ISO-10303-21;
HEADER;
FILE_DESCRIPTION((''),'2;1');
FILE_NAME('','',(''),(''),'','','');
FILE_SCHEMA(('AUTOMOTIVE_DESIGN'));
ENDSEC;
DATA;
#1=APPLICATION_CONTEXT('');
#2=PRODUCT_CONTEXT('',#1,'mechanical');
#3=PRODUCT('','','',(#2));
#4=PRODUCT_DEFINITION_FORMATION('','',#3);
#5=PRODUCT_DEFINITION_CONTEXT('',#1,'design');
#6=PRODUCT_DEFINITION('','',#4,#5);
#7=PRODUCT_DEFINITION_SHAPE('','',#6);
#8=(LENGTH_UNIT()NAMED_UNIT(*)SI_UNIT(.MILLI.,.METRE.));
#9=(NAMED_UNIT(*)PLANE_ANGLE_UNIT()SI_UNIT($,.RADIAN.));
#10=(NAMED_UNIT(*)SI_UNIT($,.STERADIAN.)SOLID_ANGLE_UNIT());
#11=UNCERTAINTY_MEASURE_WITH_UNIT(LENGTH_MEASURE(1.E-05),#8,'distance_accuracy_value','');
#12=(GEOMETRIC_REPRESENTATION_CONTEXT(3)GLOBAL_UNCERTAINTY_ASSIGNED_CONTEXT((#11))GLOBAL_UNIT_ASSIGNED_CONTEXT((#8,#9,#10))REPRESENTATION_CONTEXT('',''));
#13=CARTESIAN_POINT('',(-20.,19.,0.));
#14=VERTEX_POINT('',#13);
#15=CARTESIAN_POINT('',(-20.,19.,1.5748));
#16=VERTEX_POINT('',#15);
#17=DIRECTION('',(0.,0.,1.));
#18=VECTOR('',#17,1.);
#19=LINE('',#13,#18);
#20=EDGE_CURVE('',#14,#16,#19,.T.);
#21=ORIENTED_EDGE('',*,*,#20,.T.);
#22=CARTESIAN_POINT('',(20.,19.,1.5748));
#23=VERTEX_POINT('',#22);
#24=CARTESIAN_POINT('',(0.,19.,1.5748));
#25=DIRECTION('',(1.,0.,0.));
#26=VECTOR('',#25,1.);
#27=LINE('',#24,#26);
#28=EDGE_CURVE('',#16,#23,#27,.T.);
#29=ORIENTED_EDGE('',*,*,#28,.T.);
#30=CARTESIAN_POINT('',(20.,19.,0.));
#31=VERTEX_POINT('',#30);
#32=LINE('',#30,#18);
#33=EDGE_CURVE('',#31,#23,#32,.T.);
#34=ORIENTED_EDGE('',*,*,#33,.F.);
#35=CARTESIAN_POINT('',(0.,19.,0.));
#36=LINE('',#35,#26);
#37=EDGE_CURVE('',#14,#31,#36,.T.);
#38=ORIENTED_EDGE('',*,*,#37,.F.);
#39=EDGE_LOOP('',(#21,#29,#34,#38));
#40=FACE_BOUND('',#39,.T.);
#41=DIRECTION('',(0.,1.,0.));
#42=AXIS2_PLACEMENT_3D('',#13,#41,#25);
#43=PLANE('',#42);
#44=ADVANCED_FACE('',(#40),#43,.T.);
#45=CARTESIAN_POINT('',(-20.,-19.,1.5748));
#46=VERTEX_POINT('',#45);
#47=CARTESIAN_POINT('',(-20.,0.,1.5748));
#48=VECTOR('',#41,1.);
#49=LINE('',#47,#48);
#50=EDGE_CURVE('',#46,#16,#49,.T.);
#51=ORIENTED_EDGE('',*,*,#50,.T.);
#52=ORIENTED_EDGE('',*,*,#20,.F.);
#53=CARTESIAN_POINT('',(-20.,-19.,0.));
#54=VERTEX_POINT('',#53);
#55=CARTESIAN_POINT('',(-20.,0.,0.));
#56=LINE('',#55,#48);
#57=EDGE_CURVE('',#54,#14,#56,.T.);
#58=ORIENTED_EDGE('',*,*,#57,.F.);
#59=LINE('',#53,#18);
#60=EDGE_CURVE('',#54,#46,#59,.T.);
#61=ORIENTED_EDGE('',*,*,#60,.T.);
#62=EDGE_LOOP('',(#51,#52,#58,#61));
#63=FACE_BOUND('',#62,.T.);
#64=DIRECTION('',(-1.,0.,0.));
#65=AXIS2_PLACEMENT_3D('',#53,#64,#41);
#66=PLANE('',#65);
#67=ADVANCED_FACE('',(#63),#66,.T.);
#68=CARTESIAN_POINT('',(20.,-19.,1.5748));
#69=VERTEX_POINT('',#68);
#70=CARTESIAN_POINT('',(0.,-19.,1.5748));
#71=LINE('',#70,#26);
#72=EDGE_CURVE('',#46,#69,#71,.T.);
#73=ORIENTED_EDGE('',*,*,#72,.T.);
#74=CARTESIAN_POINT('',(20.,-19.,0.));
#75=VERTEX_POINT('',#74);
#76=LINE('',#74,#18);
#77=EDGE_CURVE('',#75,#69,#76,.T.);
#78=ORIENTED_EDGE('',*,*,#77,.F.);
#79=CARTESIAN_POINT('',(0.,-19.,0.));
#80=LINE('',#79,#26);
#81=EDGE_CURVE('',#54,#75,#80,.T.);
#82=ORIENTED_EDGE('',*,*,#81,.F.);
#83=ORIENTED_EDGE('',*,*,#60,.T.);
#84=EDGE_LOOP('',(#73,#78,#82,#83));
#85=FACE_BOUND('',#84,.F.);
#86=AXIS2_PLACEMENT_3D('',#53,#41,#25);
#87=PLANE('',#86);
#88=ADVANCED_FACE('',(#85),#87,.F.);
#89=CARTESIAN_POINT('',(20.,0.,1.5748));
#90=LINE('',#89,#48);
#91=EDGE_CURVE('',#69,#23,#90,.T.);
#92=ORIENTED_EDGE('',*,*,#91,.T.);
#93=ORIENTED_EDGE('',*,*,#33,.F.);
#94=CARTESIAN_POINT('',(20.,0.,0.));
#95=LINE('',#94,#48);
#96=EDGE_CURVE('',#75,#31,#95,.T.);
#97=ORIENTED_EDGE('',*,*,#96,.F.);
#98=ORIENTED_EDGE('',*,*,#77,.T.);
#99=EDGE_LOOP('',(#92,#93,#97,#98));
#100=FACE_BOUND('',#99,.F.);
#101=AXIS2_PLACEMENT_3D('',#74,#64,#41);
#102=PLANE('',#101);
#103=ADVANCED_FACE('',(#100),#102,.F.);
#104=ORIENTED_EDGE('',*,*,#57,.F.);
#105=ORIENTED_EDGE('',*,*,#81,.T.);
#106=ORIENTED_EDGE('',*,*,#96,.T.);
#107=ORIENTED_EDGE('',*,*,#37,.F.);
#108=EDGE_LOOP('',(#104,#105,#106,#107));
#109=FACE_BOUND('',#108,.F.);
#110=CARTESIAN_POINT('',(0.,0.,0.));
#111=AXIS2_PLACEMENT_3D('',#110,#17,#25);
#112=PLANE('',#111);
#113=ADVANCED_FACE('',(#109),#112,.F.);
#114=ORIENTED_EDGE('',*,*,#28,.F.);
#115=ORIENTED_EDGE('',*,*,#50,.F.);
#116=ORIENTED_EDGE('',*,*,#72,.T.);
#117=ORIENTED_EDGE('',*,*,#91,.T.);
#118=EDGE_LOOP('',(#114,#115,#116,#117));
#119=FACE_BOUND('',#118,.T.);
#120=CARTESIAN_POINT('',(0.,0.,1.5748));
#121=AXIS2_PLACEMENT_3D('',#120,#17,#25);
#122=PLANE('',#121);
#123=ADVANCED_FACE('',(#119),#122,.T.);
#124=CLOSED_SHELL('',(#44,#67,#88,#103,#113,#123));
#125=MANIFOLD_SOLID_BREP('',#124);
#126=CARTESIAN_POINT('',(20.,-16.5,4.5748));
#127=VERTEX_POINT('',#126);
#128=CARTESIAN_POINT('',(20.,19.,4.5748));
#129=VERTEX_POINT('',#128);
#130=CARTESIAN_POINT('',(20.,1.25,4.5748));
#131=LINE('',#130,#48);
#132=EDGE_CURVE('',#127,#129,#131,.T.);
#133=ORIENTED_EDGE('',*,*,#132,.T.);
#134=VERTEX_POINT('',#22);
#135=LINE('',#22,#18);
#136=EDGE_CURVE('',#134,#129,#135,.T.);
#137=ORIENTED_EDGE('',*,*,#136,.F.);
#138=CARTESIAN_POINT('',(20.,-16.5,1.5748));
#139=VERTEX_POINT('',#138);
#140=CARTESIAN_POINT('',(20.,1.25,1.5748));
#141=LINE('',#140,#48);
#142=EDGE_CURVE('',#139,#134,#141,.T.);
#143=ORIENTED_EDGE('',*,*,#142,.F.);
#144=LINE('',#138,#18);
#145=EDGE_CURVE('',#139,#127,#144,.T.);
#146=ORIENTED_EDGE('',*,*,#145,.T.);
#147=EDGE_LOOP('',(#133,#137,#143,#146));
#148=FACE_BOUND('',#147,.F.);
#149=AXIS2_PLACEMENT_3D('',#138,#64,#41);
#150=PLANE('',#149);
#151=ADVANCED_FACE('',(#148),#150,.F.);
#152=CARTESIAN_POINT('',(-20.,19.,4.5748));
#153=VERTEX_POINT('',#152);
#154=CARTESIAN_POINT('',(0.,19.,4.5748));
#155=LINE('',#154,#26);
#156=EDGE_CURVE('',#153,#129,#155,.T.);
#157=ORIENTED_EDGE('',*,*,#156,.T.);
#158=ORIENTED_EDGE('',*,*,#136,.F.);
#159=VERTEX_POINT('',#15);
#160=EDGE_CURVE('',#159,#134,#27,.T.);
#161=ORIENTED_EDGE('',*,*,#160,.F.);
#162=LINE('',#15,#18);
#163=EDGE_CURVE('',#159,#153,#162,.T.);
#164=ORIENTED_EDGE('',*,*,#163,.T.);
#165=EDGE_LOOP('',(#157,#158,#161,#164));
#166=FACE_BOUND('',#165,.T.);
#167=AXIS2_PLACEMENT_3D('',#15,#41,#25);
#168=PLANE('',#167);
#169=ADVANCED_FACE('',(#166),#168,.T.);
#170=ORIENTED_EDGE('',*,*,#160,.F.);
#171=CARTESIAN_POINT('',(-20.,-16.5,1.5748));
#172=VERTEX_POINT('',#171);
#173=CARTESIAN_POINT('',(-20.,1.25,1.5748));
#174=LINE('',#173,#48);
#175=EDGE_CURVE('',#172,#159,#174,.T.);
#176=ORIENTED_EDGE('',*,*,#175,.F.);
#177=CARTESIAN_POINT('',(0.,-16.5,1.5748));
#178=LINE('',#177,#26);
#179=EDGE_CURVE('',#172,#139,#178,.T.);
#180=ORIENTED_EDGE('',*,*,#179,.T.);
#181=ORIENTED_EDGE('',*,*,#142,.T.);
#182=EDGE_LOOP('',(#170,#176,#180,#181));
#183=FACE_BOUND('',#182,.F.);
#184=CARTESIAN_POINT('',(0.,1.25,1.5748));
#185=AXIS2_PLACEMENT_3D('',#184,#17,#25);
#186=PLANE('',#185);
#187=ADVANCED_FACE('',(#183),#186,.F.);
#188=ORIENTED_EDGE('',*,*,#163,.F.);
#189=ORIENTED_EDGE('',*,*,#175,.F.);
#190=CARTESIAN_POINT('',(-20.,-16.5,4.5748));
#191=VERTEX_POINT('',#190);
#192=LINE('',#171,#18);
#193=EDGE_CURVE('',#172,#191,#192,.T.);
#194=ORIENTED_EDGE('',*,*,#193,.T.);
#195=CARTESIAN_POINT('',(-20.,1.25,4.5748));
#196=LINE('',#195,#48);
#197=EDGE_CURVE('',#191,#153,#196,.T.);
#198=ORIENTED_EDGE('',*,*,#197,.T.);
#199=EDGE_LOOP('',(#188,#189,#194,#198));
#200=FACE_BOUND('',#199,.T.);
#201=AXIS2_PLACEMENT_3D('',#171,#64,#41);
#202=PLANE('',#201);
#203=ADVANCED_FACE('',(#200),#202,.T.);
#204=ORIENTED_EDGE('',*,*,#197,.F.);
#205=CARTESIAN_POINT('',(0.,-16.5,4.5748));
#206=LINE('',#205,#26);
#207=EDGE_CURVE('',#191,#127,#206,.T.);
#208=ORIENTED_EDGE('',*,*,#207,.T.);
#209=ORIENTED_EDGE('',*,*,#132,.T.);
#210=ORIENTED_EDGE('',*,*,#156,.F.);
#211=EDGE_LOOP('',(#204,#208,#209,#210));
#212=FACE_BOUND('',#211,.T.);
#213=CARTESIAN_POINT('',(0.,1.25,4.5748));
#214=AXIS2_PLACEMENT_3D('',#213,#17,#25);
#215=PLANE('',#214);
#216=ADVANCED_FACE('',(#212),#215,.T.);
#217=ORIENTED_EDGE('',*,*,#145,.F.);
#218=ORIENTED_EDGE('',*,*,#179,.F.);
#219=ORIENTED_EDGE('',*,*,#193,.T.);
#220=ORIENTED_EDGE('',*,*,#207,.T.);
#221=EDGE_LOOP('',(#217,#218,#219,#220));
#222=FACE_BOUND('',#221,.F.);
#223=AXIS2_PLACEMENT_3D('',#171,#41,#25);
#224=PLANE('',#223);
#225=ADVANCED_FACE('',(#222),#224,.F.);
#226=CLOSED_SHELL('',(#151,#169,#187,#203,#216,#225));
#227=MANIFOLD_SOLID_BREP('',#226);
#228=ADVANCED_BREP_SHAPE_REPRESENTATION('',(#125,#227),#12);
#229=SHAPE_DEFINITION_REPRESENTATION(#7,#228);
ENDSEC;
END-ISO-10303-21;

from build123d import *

# Parameters (mm, degrees)
F0_W     = 40
F0_H     = 38
F1_DEPTH = 1.5748
F2_W     = 40
F2_H     = 35.5
F3_DEPTH = 3


with BuildPart() as f1:
    # F0 (on Top) → F1 (new body)
    with BuildSketch(Plane.XY):
        Rectangle(F0_W, F0_H)
    extrude(amount=F1_DEPTH)


with BuildPart() as f3:
    # F2 (on face) → F3 (new body)
    with BuildSketch(Plane.XY.offset(1.5748)):
        with Locations((0, 1.25)):
            Rectangle(F2_W, F2_H)
    extrude(amount=F3_DEPTH)


solid = Compound([f1.part, f3.part])
